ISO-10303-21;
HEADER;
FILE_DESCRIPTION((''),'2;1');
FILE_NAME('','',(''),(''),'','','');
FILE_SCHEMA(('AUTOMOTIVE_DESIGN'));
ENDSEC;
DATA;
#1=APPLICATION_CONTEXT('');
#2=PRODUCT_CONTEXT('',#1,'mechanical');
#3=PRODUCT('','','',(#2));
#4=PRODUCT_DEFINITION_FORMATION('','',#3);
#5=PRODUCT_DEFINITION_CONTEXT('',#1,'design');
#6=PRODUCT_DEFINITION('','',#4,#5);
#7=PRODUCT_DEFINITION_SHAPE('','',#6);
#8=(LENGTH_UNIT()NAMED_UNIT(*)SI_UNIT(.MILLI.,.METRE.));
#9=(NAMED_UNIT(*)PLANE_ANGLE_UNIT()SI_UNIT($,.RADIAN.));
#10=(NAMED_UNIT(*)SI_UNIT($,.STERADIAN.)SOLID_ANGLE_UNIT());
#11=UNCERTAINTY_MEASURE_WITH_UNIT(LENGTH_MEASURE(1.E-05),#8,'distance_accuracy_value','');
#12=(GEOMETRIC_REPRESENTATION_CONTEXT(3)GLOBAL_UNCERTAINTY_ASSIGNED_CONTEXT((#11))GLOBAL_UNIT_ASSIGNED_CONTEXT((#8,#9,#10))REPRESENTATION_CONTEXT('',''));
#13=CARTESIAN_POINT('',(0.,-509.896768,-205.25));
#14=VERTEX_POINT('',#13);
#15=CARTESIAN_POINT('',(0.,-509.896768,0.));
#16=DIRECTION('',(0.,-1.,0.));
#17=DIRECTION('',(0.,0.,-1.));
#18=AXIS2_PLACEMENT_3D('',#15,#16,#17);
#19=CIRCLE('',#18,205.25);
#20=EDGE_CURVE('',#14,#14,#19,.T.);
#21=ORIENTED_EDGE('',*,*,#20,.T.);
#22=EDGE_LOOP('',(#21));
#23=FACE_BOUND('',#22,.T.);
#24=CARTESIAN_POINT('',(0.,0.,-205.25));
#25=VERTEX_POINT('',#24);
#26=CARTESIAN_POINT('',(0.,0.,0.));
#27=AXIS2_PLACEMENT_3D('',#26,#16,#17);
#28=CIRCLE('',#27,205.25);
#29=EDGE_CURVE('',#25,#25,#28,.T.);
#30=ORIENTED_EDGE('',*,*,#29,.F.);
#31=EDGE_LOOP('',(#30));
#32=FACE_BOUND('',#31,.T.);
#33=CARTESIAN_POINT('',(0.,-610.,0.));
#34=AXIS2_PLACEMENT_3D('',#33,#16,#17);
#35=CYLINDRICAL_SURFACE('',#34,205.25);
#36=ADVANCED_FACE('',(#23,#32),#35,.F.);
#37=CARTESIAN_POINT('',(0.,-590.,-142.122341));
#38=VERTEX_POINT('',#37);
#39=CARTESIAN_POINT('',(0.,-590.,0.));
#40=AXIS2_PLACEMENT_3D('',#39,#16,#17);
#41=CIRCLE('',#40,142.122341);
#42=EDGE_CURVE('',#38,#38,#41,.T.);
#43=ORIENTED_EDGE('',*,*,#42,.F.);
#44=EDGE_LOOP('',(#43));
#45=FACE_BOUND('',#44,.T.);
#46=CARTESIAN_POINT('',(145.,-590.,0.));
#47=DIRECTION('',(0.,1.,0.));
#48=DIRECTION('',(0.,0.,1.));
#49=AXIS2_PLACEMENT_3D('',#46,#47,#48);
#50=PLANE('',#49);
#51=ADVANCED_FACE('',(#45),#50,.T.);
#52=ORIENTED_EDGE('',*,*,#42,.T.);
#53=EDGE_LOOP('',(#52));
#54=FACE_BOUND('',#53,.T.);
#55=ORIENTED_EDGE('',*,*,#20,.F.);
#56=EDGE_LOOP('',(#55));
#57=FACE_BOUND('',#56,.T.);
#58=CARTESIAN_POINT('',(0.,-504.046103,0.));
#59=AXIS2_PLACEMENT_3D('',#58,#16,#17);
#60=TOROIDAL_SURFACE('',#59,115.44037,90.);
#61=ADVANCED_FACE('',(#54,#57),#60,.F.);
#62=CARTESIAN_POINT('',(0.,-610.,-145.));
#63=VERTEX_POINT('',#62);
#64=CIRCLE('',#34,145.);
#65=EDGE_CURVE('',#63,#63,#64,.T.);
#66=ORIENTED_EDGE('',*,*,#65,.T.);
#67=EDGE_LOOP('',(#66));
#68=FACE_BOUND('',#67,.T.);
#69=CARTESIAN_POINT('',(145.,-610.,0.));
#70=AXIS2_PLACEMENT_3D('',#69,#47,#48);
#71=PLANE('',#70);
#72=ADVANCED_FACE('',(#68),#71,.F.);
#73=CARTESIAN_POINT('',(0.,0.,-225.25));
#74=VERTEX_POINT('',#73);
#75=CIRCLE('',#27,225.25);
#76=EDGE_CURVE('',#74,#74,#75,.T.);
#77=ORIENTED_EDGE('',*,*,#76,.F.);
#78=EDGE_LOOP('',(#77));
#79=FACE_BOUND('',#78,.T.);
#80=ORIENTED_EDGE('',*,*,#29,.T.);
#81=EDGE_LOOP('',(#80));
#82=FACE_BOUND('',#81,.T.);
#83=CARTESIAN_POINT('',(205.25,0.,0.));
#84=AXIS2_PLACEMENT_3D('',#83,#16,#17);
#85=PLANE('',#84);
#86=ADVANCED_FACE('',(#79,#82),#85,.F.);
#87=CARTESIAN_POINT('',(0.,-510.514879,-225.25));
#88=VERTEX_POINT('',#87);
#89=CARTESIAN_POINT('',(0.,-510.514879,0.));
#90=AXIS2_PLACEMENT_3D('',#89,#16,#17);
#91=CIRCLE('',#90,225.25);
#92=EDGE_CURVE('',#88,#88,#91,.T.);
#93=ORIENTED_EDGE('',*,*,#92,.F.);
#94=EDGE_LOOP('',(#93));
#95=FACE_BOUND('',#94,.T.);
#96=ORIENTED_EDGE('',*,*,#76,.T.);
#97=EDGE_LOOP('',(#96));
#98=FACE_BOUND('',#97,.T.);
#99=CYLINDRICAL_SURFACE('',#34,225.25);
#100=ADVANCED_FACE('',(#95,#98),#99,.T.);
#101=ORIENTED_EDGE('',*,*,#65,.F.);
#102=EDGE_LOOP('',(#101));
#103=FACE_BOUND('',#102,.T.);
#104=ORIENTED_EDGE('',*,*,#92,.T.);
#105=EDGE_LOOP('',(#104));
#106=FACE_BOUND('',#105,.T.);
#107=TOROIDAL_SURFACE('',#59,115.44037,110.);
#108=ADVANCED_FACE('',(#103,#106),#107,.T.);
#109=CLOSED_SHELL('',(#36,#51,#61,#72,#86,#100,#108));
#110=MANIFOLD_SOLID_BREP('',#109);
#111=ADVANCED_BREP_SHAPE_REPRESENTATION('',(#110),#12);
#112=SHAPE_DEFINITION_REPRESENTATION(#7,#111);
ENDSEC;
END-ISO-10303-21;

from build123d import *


with BuildPart() as part:
    # 草图1 → 旋转-薄壁1 (revolve)
    with BuildSketch(Plane.XY, mode=Mode.PRIVATE) as revolve_1_sk:
        with BuildLine():
            Line((225.25, 0), (225.25, -510.514878882))
            ThreePointArc((225.25, -510.514878882), (201.057365828, -573.109334713), (145, -610))
            Line((145, -610), (0, -610))
            Line((0, -610), (0, -590))
            Line((0, -590), (142.122341449, -590))
            ThreePointArc((142.122341449, -590), (186.127746808, -559.753326209), (205.25, -509.896767873))
            Line((205.25, -509.896767873), (205.25, 0))
            Line((205.25, 0), (225.25, 0))
        make_face()
    revolve(revolve_1_sk.sketch.rotate(Axis((0, -610, 0), (0, 1, 0)), 90), axis=Axis((0, -610, 0), (0, 1, 0)))


solid = part.part
